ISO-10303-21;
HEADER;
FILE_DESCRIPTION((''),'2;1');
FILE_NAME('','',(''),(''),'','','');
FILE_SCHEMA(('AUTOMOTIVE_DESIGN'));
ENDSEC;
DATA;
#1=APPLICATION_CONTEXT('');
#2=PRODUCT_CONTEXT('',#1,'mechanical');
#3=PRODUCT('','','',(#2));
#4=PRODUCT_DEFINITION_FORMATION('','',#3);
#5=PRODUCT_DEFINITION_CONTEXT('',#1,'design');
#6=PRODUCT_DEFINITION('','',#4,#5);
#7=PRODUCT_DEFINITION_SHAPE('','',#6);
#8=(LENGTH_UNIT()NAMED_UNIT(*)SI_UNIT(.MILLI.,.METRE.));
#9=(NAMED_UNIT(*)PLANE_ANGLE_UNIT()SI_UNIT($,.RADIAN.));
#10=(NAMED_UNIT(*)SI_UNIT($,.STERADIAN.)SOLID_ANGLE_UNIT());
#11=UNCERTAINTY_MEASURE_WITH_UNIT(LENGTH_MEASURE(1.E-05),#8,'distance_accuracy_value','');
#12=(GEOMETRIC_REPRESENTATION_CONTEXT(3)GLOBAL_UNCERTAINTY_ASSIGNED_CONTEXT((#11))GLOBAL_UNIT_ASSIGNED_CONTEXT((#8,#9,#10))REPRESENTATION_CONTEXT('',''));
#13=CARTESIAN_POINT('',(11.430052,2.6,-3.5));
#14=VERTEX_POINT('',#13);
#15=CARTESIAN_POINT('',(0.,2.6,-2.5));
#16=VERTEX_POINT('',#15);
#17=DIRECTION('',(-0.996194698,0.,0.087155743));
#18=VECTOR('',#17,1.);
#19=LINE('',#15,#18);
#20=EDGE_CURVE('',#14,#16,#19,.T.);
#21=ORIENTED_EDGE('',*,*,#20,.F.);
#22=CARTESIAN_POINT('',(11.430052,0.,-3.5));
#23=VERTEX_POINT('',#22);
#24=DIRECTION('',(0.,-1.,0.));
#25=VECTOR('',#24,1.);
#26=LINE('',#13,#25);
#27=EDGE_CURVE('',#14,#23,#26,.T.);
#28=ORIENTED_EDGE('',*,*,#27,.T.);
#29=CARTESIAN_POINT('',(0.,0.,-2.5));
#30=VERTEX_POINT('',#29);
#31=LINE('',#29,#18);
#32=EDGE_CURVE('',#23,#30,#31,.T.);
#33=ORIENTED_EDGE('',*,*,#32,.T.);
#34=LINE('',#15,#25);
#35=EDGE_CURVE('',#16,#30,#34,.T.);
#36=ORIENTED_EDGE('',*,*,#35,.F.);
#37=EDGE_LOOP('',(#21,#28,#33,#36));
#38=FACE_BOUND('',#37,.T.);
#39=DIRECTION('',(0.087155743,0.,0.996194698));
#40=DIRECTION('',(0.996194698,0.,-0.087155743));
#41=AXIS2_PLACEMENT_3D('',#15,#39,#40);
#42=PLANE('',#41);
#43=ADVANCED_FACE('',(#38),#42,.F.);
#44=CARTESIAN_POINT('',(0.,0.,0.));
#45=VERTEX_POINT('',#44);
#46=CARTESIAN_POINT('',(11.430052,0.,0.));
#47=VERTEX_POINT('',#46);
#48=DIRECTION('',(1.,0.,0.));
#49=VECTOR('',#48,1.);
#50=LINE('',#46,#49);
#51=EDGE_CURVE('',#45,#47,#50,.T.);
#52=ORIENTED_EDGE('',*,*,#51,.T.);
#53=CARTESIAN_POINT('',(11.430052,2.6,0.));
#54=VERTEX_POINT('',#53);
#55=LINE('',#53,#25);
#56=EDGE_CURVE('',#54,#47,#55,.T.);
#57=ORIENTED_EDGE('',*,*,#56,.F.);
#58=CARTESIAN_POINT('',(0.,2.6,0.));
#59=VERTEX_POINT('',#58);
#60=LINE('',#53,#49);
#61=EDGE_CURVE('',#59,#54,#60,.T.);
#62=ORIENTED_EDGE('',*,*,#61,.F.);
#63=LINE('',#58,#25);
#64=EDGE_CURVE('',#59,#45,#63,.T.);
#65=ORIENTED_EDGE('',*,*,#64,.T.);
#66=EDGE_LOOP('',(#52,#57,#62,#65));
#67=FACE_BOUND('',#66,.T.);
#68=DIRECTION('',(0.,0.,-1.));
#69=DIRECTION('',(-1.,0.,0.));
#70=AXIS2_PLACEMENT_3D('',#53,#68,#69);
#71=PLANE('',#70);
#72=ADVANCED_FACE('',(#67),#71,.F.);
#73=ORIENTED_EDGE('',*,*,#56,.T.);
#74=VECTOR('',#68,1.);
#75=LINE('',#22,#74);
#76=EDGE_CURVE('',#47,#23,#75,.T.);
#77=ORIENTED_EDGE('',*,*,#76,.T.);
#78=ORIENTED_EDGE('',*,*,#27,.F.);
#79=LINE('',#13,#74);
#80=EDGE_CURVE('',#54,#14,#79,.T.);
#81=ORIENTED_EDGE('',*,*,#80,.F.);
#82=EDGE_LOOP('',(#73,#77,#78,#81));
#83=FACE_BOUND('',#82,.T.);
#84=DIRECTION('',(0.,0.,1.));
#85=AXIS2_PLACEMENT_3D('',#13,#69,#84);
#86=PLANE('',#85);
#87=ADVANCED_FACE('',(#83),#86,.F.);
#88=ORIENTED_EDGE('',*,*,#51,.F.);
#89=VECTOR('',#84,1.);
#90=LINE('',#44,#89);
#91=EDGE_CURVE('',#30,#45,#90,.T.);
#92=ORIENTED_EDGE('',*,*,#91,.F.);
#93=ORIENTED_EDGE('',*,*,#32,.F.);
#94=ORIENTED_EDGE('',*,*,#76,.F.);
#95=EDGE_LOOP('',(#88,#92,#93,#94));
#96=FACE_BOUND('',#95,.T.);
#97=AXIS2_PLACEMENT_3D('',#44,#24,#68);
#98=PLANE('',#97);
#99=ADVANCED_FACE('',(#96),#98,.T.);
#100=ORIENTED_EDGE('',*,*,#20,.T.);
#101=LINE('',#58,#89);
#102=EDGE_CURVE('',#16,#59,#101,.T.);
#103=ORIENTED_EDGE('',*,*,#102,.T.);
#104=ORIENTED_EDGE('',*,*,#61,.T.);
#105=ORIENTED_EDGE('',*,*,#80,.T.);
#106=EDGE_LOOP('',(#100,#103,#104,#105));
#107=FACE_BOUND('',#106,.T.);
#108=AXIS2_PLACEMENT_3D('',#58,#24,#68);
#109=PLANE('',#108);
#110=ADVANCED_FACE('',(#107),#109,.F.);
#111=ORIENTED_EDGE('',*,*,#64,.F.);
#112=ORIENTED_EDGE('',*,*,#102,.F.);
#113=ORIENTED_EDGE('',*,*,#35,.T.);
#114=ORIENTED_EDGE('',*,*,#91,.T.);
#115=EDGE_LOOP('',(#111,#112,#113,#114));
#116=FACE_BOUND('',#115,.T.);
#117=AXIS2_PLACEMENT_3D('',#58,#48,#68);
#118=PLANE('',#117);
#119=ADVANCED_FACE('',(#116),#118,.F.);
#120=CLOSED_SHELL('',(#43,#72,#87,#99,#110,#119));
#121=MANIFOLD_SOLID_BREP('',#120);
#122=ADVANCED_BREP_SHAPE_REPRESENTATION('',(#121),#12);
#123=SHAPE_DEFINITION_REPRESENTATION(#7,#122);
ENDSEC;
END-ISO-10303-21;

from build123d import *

# Parameters (mm, degrees)
BOSS_EXTRUDE1_DEPTH = 2.6


with BuildPart() as part:
    # Sketch2 → Boss-Extrude1 (new body)
    with BuildSketch(Plane(origin=(0, 0, 0), x_dir=(1, 0, 0), z_dir=(0, 1, 0))):
        Polygon((0, 0), (0, 2.5), (11.430052303, 3.5), (11.430052303, 0), align=None)
    extrude(amount=BOSS_EXTRUDE1_DEPTH)


solid = part.part
